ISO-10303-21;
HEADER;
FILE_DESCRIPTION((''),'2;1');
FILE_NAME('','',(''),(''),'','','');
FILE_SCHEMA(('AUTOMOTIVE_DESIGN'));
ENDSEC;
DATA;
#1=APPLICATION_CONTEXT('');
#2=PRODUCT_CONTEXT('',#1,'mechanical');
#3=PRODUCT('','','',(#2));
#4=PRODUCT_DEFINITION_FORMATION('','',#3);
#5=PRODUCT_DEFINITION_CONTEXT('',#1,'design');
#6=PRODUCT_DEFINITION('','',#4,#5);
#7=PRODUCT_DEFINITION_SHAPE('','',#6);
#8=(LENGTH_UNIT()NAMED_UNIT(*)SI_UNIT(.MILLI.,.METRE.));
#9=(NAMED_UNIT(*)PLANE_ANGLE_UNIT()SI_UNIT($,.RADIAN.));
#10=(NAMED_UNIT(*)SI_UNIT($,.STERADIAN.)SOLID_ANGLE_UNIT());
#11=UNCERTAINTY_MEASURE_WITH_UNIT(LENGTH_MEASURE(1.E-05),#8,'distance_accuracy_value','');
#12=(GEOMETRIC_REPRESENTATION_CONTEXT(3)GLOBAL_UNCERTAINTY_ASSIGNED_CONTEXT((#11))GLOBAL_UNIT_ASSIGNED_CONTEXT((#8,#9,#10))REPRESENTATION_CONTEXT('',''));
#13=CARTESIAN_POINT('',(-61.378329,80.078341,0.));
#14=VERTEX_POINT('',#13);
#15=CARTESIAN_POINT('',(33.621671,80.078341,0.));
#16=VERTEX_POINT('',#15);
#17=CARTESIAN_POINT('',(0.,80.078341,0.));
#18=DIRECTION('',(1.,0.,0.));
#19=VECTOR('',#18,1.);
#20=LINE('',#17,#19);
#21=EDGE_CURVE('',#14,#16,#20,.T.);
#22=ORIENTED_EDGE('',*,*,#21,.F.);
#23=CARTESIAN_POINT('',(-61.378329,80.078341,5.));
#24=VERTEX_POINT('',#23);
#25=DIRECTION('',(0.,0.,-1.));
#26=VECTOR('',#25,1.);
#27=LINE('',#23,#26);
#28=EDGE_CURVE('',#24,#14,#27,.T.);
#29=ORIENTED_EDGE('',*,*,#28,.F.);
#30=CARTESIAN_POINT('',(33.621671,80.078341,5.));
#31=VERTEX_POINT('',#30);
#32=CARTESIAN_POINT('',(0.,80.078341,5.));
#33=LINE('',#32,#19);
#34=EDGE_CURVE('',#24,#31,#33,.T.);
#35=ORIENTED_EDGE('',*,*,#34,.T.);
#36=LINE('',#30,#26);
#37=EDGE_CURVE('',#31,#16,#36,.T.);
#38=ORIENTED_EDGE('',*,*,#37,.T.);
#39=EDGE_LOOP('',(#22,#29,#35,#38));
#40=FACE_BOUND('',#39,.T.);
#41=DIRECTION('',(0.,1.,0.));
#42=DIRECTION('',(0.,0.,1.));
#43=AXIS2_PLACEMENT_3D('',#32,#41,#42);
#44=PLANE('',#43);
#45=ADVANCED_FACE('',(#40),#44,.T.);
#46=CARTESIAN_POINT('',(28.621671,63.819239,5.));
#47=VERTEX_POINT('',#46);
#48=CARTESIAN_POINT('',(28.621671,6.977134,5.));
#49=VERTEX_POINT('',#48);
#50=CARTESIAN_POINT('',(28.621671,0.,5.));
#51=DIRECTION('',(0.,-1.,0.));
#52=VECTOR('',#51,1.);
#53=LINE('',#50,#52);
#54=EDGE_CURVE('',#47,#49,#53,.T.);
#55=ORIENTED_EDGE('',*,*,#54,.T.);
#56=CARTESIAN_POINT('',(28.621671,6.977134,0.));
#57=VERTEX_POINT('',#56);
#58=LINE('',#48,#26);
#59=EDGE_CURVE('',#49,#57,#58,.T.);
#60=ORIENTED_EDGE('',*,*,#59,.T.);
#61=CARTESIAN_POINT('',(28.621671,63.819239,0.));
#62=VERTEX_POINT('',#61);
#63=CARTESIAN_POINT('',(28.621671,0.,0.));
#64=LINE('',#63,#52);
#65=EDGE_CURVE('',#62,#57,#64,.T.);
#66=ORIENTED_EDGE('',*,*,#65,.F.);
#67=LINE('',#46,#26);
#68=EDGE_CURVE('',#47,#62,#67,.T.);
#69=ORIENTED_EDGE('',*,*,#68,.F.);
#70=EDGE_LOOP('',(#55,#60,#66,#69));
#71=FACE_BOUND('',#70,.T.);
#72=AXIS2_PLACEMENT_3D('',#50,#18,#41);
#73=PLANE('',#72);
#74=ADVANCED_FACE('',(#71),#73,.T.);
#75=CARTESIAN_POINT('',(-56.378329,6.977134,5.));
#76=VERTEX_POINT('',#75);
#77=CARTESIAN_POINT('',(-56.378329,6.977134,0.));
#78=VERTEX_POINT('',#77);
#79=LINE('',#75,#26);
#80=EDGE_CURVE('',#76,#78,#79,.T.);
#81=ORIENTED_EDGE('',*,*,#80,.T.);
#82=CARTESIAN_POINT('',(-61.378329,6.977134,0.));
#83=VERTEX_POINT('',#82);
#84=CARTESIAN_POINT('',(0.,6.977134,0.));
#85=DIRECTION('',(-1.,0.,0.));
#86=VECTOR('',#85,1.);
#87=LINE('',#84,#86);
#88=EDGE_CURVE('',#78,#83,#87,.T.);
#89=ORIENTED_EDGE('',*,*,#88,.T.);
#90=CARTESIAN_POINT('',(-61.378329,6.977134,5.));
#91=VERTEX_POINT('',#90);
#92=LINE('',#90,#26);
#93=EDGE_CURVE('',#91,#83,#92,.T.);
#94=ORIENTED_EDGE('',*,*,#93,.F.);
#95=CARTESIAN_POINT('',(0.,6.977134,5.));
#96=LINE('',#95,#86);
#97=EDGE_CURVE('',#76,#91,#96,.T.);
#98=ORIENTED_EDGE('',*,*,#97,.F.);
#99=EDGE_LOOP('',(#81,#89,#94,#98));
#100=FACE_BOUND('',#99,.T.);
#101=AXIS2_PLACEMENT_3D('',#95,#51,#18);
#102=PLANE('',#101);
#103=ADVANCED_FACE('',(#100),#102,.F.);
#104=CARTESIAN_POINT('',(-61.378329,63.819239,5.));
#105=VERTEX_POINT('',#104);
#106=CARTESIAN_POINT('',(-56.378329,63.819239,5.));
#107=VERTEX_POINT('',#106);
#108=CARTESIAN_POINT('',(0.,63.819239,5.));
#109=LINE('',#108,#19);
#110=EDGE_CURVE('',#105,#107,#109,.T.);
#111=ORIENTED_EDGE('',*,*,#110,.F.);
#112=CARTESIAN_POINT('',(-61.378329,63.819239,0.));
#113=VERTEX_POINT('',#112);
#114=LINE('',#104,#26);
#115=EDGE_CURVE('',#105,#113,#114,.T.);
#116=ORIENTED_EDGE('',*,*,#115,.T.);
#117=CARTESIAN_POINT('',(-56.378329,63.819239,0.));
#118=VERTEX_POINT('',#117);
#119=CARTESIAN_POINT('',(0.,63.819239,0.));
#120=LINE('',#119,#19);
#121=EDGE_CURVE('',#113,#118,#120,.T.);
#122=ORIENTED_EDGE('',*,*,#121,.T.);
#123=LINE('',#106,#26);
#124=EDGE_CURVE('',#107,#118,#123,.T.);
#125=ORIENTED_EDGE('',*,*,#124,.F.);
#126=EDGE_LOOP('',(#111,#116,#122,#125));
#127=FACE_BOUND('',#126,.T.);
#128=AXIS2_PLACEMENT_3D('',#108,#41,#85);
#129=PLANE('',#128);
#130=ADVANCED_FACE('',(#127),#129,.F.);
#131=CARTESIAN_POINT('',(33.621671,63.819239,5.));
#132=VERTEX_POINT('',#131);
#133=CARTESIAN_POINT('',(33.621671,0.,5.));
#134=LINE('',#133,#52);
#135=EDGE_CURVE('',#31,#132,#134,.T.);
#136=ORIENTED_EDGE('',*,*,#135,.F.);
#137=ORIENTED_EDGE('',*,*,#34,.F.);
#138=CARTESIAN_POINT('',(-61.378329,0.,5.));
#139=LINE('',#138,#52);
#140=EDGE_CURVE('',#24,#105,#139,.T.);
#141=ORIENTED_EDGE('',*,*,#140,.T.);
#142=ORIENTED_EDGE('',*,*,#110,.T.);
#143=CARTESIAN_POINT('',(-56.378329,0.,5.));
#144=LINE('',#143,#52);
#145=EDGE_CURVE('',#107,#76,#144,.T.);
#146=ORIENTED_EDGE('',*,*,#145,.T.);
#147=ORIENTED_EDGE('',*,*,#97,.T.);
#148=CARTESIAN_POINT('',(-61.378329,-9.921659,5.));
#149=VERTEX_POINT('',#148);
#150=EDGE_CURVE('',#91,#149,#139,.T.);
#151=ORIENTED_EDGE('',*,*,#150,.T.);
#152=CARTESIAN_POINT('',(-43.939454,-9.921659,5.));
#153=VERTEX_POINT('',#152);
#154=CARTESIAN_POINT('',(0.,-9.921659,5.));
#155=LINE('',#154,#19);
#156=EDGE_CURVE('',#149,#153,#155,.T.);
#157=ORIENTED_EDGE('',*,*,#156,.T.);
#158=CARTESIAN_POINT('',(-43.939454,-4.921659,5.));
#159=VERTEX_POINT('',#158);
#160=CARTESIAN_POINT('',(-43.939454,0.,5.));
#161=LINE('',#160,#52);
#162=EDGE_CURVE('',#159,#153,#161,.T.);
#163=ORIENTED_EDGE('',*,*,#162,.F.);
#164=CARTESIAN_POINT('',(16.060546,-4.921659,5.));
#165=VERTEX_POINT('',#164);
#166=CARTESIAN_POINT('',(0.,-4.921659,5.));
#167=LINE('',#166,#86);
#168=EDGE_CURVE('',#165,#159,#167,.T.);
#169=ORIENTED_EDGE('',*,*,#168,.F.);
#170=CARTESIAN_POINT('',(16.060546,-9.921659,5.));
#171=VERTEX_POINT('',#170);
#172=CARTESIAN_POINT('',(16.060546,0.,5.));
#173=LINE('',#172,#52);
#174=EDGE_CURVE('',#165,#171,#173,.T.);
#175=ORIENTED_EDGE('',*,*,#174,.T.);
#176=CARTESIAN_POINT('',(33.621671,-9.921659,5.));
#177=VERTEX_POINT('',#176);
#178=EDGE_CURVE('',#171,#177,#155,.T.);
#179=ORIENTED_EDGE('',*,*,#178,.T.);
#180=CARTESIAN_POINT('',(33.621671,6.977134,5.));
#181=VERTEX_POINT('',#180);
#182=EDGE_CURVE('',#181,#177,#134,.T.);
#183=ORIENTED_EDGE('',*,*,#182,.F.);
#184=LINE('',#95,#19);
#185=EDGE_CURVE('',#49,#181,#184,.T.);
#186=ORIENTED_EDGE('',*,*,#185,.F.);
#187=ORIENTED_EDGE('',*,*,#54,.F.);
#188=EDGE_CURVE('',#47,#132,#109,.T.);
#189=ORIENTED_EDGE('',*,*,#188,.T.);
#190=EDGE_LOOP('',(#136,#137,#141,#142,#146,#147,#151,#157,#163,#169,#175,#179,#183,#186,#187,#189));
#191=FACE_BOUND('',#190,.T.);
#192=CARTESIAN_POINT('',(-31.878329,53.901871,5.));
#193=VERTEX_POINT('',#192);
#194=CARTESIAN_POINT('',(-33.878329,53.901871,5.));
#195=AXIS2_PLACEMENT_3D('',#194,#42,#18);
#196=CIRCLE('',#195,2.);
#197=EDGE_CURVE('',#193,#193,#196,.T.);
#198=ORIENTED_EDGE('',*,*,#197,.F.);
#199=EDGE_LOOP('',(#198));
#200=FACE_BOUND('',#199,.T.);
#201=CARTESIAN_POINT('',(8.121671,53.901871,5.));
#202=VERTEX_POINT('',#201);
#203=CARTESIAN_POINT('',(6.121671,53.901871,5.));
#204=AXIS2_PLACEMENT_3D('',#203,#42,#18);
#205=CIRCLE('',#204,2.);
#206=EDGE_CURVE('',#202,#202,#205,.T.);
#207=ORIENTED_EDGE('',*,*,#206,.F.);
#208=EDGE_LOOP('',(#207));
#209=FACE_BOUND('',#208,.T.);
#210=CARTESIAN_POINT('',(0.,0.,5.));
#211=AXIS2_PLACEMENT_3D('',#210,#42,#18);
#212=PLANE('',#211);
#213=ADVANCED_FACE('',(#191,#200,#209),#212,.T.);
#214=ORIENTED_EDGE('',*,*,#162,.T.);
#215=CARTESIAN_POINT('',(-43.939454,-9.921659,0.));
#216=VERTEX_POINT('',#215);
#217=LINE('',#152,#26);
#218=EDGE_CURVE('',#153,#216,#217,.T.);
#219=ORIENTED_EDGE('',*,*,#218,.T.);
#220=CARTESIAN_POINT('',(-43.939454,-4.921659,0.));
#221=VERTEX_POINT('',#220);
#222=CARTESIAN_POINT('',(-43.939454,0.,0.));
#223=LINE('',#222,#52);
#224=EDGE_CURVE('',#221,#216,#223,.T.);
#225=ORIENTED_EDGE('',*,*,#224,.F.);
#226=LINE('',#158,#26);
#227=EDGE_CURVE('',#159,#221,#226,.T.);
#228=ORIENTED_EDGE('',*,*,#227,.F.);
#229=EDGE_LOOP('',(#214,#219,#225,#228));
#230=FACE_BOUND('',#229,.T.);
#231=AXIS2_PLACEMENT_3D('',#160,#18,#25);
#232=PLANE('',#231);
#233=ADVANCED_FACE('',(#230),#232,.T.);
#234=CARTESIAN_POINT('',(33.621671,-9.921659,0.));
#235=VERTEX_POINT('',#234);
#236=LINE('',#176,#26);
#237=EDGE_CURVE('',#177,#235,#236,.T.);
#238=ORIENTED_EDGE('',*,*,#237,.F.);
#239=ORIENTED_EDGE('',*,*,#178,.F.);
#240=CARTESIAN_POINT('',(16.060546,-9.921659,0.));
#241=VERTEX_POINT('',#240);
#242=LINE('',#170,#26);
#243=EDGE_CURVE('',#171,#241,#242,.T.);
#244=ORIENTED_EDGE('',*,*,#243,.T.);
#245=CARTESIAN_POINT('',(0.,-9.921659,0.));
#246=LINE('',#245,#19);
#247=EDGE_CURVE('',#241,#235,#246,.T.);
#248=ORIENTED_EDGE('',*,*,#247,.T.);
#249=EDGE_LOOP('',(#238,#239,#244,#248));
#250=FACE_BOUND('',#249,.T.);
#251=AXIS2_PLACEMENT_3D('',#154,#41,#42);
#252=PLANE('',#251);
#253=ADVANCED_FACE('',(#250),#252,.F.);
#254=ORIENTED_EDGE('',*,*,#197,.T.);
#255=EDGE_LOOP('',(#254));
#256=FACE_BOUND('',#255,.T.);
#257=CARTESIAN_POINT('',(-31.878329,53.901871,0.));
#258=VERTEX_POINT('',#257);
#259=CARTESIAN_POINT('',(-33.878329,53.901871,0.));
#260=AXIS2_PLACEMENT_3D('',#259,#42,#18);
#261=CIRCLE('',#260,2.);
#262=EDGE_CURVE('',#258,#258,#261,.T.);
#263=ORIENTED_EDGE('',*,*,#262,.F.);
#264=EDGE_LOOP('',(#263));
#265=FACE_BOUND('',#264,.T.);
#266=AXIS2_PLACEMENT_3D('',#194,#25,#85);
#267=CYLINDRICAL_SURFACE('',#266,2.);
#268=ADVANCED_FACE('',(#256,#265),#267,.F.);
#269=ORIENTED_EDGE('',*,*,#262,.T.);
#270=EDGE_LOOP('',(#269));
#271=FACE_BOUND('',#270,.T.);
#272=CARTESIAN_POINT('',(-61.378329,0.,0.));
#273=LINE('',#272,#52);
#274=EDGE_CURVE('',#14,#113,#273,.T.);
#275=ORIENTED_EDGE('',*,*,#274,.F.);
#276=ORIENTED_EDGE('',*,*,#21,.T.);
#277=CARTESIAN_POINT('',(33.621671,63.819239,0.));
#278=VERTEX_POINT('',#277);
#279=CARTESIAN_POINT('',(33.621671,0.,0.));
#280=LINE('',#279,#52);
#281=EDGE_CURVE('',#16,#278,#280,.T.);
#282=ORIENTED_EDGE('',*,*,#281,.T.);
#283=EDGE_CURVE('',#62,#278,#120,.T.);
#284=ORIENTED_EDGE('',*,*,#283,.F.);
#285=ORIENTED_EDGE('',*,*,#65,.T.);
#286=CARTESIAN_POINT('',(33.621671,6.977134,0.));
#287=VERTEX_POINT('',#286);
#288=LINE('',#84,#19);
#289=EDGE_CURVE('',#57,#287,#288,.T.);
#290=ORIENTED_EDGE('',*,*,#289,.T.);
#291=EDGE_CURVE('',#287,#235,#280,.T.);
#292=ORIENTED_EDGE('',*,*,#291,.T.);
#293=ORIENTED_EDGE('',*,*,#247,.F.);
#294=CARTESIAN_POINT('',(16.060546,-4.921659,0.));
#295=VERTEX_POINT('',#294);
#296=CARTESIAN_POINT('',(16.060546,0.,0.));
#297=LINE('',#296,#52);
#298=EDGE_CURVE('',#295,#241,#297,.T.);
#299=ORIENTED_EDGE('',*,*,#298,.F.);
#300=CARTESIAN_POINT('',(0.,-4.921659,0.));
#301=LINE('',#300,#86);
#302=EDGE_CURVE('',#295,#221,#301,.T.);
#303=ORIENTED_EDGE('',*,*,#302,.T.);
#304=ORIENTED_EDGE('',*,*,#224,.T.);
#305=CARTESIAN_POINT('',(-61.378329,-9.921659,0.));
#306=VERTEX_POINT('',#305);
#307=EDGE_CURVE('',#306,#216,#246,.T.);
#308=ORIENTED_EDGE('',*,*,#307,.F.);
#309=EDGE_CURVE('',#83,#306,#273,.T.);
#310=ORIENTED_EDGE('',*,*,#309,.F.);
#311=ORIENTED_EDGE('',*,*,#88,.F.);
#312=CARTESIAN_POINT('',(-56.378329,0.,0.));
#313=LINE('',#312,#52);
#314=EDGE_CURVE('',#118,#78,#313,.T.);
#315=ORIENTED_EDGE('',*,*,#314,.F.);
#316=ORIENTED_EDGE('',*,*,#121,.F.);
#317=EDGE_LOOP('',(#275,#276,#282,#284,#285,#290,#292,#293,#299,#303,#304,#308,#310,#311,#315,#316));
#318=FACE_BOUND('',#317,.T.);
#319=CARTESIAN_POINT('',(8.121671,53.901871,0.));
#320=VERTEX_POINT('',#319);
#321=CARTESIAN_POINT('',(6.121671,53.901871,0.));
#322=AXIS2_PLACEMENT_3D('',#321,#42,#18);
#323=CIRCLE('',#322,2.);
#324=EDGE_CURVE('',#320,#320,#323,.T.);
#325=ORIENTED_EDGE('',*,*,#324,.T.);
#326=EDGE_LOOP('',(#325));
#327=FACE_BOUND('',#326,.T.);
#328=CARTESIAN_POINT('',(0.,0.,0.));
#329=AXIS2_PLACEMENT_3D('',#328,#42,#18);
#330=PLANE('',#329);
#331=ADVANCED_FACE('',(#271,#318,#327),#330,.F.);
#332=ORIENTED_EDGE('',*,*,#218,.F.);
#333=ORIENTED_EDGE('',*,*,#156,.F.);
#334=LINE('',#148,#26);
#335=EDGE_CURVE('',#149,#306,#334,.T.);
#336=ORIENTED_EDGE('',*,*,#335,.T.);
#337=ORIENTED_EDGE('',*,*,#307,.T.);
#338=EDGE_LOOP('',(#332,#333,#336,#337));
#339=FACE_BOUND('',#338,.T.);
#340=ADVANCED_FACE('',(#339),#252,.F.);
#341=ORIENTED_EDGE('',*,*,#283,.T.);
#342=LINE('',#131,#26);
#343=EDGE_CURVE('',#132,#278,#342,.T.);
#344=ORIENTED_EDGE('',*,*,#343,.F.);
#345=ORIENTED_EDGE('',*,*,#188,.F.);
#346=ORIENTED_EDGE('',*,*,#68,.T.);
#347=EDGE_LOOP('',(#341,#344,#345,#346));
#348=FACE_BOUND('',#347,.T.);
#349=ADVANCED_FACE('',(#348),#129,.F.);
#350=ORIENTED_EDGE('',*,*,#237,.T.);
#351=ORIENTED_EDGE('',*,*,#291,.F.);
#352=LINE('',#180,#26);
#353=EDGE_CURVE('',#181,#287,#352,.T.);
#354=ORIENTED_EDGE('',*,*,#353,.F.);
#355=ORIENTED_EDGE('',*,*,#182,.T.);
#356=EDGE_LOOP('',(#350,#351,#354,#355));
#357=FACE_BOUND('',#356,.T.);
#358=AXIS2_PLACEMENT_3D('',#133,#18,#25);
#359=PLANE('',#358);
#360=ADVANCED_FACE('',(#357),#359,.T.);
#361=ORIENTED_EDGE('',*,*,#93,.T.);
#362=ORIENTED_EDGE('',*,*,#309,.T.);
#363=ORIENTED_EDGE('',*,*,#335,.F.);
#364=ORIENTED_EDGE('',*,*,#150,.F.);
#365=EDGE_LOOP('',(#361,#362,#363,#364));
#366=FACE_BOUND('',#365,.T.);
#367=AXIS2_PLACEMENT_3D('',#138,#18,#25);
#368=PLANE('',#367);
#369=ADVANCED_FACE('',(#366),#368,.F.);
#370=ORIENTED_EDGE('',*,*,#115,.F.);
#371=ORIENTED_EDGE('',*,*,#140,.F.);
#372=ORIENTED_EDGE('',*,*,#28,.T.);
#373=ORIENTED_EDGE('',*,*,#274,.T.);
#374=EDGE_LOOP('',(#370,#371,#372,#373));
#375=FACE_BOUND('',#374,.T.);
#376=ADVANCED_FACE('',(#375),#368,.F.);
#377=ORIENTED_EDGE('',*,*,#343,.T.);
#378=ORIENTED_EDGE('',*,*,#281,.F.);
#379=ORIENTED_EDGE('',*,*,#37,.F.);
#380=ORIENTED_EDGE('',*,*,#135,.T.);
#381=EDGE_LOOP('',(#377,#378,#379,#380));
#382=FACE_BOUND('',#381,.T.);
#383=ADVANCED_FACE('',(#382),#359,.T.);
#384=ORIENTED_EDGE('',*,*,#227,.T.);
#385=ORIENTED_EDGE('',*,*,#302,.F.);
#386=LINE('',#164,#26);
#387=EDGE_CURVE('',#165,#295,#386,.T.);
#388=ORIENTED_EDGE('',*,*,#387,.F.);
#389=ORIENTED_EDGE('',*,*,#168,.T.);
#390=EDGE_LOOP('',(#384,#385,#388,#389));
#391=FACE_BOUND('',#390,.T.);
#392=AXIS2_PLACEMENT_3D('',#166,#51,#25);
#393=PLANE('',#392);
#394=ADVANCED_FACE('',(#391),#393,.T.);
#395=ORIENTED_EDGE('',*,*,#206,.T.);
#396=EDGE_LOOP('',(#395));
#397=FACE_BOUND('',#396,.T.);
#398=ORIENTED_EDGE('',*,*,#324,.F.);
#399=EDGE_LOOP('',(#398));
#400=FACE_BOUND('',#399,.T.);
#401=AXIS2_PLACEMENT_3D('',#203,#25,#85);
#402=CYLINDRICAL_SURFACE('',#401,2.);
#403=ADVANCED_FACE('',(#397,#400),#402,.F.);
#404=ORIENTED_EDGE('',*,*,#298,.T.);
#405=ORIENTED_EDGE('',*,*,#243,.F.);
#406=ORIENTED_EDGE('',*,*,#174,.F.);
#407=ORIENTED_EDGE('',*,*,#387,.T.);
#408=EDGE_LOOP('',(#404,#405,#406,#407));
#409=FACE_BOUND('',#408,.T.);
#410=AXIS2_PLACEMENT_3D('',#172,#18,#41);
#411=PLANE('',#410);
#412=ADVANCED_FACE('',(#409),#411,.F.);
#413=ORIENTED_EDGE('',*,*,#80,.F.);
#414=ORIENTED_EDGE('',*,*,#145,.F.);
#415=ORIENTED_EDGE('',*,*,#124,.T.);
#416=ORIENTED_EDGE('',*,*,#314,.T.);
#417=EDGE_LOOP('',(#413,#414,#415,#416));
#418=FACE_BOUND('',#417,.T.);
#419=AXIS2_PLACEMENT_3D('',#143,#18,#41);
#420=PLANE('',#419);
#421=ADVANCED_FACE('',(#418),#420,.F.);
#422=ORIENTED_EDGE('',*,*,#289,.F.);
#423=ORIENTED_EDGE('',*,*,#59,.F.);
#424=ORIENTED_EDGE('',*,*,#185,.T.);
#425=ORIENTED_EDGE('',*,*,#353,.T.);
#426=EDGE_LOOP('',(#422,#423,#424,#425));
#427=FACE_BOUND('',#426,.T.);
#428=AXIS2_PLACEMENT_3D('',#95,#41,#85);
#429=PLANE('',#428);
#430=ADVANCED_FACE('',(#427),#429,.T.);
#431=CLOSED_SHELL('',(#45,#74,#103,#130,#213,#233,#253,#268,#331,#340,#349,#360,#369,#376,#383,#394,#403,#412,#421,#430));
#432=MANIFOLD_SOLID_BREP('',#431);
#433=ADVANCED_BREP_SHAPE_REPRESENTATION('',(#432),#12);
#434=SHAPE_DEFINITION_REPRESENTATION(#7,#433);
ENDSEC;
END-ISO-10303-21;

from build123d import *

# Parameters (mm, degrees)
SKIZZE1_R                       = 2
AUFSATZ_LINEAR_AUSTRAGEN1_DEPTH = 5


with BuildPart() as part:
    # Skizze1 → Aufsatz-Linear austragen1 (new body)
    # profile 1 of 4: a face of its own
    with BuildSketch(Plane.XY):
        Polygon((-56.378328771, 75.078341375), (-56.378328771, 63.819239112), (-56.378328771, 6.977133849), (-56.378328771, -4.921658625), (-43.939454059, -4.921658625), (16.060545941, -4.921658625), (28.621671229, -4.921658625), (28.621671229, 6.977133849), (28.621671229, 63.819239112), (28.621671229, 75.078341375), align=None)
        with Locations((-33.878328771, 53.901870786)):
            Circle(SKIZZE1_R, mode=Mode.SUBTRACT)
        with Locations((6.121671229, 53.901870786)):
            Circle(SKIZZE1_R, mode=Mode.SUBTRACT)
    # profile 2 of 4: a face of its own
    with BuildSketch(Plane.XY):
        Polygon((-61.378328771, 80.078341375), (-61.378328771, 63.819239112), (-56.378328771, 63.819239112), (-56.378328771, 75.078341375), (28.621671229, 75.078341375), (28.621671229, 63.819239112), (33.621671229, 63.819239112), (33.621671229, 80.078341375), align=None)
    # profile 3 of 4: a face of its own
    with BuildSketch(Plane.XY):
        Polygon((-56.378328771, -4.921658625), (-56.378328771, 6.977133849), (-61.378328771, 6.977133849), (-61.378328771, -9.921658625), (-43.939454059, -9.921658625), (-43.939454059, -4.921658625), align=None)
    # profile 4 of 4: a face of its own
    with BuildSketch(Plane.XY):
        Polygon((33.621671229, 6.977133849), (28.621671229, 6.977133849), (28.621671229, -4.921658625), (16.060545941, -4.921658625), (16.060545941, -9.921658625), (33.621671229, -9.921658625), align=None)
    extrude(amount=AUFSATZ_LINEAR_AUSTRAGEN1_DEPTH)


solid = part.part
